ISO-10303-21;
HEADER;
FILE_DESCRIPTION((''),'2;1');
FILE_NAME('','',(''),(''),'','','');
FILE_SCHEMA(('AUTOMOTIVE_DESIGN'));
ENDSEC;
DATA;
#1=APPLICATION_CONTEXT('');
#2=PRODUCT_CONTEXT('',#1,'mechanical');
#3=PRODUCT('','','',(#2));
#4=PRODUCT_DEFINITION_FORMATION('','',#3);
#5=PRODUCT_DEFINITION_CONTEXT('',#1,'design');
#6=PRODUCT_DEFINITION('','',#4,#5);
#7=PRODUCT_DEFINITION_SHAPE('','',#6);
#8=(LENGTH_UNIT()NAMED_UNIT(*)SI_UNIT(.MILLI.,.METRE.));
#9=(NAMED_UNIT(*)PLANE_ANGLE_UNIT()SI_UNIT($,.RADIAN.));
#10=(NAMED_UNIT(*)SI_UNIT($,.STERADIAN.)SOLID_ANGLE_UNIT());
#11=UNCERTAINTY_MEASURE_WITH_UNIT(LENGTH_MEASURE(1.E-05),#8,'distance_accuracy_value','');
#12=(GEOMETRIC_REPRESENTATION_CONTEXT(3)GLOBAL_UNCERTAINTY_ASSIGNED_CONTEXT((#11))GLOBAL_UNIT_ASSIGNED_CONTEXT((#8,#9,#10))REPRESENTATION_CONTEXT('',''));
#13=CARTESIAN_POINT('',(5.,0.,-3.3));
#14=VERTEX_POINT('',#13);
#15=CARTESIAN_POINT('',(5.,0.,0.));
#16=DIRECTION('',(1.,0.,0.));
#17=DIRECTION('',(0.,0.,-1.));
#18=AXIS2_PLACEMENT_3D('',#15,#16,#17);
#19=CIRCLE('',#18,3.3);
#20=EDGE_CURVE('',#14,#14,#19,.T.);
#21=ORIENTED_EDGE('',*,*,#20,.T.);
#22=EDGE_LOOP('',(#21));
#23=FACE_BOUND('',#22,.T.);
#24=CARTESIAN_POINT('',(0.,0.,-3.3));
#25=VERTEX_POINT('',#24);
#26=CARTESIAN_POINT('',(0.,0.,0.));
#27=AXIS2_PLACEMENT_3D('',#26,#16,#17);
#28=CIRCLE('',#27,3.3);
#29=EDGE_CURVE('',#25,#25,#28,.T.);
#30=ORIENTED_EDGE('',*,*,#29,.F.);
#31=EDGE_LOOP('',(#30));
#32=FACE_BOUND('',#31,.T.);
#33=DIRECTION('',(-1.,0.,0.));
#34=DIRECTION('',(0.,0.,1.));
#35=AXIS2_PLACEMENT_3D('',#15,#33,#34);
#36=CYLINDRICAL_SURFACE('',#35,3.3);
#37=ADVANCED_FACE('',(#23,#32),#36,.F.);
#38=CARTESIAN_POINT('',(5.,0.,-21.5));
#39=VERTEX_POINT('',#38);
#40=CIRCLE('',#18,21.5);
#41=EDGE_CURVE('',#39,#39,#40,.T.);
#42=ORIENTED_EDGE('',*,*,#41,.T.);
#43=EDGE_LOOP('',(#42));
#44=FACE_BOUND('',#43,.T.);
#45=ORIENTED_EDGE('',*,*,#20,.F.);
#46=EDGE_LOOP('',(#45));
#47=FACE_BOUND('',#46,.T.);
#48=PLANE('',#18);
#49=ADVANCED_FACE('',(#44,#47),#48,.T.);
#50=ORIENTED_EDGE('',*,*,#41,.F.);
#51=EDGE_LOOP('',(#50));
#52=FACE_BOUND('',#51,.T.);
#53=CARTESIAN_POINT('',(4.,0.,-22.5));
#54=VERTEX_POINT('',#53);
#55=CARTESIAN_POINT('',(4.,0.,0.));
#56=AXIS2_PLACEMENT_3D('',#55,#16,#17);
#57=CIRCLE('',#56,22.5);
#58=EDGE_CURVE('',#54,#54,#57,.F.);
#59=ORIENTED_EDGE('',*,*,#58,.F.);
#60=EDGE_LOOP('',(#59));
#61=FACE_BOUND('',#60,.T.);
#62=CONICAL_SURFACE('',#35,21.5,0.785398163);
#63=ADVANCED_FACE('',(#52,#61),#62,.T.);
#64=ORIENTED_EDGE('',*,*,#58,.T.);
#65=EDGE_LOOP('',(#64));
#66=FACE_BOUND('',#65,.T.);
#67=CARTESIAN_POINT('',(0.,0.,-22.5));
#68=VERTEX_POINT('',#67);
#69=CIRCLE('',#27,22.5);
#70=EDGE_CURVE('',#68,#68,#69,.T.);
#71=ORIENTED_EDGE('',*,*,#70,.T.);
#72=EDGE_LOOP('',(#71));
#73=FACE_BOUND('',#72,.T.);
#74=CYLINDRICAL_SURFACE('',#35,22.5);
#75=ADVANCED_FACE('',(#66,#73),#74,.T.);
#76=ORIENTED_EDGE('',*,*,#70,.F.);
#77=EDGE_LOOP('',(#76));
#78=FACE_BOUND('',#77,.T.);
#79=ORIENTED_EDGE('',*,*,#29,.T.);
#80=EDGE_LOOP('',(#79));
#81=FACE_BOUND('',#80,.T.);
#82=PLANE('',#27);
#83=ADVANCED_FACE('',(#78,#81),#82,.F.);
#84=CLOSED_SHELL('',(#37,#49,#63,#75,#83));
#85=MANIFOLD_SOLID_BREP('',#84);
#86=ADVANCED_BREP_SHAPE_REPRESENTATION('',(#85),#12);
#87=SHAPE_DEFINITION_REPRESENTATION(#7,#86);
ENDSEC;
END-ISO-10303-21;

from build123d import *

# Parameters (mm, degrees)
SKETCH_1_R      = 22.5
SKETCH_1_R_2    = 3.3
EXTRUDE_1_DEPTH = 5
CHAMFER_1_SIZE  = 1


with BuildPart() as part:
    # 草图1 → 凸台-拉伸1 (new body)
    with BuildSketch(Plane(origin=(0, 0, 0), x_dir=(0, 0, -1), z_dir=(1, 0, 0))):
        Circle(SKETCH_1_R)
        Circle(SKETCH_1_R_2, mode=Mode.SUBTRACT)
    extrude(amount=EXTRUDE_1_DEPTH)

    # 倒角1
    chamfer_1_edges = [part.edges().sort_by_distance(p)[0] for p in [
        (5, 0, 22.5),
    ]]
    chamfer(chamfer_1_edges, length=CHAMFER_1_SIZE)


solid = part.part
